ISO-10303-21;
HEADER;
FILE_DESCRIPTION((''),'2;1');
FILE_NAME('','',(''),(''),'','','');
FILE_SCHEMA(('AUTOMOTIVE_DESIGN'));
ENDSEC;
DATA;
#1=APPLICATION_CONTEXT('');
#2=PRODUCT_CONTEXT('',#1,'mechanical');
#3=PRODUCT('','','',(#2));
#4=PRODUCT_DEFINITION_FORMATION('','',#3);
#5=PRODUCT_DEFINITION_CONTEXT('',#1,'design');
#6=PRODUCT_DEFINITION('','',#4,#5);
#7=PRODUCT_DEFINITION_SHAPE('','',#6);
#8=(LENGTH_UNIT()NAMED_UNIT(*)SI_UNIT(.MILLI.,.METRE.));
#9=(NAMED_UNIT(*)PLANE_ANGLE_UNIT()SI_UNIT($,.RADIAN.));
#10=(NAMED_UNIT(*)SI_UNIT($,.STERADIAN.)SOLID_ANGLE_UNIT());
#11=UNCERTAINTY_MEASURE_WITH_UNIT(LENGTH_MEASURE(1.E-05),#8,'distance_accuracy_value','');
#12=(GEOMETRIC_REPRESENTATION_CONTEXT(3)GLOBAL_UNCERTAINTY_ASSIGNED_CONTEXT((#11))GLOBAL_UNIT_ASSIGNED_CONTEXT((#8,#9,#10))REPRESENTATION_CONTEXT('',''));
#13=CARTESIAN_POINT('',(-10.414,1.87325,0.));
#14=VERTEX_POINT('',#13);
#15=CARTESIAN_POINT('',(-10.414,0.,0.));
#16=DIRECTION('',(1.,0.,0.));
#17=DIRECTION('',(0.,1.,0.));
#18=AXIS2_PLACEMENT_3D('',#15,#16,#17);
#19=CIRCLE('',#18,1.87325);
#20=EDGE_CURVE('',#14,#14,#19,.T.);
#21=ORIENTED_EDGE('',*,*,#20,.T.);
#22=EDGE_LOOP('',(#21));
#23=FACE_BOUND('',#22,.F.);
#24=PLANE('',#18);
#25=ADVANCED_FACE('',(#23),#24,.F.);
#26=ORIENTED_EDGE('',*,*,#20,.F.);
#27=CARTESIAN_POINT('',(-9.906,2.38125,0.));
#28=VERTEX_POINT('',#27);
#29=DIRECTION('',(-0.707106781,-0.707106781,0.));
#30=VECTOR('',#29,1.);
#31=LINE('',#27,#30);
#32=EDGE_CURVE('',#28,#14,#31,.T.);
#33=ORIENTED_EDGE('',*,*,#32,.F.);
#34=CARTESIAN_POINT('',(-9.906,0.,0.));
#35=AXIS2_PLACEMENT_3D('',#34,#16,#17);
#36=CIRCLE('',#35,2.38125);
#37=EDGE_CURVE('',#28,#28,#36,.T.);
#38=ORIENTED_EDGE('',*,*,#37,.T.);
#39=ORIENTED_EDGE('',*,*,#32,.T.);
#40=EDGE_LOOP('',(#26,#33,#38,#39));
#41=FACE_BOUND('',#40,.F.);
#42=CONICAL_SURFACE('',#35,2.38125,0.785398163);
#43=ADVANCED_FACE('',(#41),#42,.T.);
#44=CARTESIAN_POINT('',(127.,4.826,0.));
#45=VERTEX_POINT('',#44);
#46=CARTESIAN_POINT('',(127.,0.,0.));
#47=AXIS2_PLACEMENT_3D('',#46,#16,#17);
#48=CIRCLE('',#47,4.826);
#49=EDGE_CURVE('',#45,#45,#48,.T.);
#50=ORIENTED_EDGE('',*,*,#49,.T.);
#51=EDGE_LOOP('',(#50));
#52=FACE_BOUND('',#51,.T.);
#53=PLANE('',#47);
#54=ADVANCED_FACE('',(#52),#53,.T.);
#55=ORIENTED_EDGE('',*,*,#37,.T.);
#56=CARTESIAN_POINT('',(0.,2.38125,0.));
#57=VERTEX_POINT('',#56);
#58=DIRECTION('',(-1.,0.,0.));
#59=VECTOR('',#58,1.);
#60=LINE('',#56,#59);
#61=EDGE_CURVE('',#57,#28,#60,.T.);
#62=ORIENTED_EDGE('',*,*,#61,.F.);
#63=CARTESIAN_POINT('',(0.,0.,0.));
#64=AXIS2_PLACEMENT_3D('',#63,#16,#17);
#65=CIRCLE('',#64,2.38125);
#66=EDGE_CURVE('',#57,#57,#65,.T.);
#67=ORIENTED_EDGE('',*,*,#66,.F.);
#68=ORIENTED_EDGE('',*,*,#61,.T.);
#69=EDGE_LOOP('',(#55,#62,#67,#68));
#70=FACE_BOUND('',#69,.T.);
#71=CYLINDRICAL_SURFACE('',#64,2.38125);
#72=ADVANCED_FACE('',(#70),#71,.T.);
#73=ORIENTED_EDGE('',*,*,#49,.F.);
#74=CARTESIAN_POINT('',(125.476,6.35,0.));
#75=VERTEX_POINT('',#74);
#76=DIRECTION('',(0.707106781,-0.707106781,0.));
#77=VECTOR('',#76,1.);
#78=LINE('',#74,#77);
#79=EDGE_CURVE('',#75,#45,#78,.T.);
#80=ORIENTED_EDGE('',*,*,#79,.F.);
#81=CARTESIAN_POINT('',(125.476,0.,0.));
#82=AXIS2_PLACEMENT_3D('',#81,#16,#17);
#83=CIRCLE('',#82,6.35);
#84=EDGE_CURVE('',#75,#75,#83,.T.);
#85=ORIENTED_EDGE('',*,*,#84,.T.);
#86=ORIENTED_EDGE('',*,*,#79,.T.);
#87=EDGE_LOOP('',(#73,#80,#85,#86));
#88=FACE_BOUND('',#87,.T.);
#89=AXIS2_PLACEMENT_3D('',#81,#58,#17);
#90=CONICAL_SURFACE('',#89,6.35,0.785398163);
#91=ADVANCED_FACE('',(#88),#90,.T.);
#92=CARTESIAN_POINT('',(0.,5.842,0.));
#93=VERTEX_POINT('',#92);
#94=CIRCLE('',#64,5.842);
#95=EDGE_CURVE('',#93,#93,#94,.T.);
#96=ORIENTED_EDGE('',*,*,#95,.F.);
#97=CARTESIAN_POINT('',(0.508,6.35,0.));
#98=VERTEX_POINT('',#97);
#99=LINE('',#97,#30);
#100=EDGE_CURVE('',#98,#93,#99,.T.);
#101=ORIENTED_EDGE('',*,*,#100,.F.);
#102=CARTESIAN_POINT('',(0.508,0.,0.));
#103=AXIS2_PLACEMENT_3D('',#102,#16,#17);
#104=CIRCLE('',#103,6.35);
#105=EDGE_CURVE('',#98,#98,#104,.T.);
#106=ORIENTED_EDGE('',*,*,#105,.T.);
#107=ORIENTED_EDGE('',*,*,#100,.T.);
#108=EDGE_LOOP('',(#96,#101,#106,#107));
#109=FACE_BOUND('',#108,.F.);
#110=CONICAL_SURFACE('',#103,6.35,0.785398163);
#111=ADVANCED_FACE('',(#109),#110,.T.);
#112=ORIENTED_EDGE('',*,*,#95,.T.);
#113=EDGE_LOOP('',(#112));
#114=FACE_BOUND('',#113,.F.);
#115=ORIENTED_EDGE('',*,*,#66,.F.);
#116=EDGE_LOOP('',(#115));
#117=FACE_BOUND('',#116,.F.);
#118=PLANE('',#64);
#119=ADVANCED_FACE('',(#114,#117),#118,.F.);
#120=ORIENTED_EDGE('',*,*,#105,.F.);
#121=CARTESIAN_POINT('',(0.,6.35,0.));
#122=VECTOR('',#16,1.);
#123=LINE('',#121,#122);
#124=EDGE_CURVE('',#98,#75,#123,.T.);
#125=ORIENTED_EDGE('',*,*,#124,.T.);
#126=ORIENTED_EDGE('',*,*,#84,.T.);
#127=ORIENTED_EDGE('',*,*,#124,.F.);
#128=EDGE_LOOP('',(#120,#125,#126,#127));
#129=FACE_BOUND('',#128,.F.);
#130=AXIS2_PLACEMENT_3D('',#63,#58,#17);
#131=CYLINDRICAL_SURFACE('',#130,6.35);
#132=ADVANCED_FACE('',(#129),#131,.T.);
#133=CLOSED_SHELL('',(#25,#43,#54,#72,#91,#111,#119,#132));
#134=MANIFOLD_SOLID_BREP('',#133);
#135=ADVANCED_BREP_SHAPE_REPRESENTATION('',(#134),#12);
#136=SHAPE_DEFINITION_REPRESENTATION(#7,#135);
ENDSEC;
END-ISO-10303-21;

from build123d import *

# Parameters (mm, degrees)
F0_R     = 6.35
F1_DEPTH = 127
F2_SIZE2 = 1.524
F2_SIZE  = 1.524
F3_R     = 2.38125
F4_DEPTH = 10.414
F5_SIZE2 = 0.508
F5_SIZE  = 0.508


with BuildPart() as f1:
    # F0 (on Right) → F1 (new body)
    with BuildSketch(Plane.YZ):
        Circle(F0_R)
    extrude(amount=F1_DEPTH)

    # F2
    f2_edges = [f1.edges().sort_by_distance(p)[0] for p in [
        (127, -6.35, 0),
    ]]
    chamfer(f2_edges, length=F2_SIZE, length2=F2_SIZE2)

    # F3 (on Right) → F4 (join)
    with BuildSketch(Plane.YZ):
        Circle(F3_R)
    extrude(amount=-F4_DEPTH)

    # F5
    f5_edges = [f1.edges().sort_by_distance(p)[0] for p in [
        (0, -6.35, 0),
        (-10.414, -2.38125, 0),
    ]]
    chamfer(f5_edges, length=F5_SIZE, length2=F5_SIZE2)


solid = f1.part
